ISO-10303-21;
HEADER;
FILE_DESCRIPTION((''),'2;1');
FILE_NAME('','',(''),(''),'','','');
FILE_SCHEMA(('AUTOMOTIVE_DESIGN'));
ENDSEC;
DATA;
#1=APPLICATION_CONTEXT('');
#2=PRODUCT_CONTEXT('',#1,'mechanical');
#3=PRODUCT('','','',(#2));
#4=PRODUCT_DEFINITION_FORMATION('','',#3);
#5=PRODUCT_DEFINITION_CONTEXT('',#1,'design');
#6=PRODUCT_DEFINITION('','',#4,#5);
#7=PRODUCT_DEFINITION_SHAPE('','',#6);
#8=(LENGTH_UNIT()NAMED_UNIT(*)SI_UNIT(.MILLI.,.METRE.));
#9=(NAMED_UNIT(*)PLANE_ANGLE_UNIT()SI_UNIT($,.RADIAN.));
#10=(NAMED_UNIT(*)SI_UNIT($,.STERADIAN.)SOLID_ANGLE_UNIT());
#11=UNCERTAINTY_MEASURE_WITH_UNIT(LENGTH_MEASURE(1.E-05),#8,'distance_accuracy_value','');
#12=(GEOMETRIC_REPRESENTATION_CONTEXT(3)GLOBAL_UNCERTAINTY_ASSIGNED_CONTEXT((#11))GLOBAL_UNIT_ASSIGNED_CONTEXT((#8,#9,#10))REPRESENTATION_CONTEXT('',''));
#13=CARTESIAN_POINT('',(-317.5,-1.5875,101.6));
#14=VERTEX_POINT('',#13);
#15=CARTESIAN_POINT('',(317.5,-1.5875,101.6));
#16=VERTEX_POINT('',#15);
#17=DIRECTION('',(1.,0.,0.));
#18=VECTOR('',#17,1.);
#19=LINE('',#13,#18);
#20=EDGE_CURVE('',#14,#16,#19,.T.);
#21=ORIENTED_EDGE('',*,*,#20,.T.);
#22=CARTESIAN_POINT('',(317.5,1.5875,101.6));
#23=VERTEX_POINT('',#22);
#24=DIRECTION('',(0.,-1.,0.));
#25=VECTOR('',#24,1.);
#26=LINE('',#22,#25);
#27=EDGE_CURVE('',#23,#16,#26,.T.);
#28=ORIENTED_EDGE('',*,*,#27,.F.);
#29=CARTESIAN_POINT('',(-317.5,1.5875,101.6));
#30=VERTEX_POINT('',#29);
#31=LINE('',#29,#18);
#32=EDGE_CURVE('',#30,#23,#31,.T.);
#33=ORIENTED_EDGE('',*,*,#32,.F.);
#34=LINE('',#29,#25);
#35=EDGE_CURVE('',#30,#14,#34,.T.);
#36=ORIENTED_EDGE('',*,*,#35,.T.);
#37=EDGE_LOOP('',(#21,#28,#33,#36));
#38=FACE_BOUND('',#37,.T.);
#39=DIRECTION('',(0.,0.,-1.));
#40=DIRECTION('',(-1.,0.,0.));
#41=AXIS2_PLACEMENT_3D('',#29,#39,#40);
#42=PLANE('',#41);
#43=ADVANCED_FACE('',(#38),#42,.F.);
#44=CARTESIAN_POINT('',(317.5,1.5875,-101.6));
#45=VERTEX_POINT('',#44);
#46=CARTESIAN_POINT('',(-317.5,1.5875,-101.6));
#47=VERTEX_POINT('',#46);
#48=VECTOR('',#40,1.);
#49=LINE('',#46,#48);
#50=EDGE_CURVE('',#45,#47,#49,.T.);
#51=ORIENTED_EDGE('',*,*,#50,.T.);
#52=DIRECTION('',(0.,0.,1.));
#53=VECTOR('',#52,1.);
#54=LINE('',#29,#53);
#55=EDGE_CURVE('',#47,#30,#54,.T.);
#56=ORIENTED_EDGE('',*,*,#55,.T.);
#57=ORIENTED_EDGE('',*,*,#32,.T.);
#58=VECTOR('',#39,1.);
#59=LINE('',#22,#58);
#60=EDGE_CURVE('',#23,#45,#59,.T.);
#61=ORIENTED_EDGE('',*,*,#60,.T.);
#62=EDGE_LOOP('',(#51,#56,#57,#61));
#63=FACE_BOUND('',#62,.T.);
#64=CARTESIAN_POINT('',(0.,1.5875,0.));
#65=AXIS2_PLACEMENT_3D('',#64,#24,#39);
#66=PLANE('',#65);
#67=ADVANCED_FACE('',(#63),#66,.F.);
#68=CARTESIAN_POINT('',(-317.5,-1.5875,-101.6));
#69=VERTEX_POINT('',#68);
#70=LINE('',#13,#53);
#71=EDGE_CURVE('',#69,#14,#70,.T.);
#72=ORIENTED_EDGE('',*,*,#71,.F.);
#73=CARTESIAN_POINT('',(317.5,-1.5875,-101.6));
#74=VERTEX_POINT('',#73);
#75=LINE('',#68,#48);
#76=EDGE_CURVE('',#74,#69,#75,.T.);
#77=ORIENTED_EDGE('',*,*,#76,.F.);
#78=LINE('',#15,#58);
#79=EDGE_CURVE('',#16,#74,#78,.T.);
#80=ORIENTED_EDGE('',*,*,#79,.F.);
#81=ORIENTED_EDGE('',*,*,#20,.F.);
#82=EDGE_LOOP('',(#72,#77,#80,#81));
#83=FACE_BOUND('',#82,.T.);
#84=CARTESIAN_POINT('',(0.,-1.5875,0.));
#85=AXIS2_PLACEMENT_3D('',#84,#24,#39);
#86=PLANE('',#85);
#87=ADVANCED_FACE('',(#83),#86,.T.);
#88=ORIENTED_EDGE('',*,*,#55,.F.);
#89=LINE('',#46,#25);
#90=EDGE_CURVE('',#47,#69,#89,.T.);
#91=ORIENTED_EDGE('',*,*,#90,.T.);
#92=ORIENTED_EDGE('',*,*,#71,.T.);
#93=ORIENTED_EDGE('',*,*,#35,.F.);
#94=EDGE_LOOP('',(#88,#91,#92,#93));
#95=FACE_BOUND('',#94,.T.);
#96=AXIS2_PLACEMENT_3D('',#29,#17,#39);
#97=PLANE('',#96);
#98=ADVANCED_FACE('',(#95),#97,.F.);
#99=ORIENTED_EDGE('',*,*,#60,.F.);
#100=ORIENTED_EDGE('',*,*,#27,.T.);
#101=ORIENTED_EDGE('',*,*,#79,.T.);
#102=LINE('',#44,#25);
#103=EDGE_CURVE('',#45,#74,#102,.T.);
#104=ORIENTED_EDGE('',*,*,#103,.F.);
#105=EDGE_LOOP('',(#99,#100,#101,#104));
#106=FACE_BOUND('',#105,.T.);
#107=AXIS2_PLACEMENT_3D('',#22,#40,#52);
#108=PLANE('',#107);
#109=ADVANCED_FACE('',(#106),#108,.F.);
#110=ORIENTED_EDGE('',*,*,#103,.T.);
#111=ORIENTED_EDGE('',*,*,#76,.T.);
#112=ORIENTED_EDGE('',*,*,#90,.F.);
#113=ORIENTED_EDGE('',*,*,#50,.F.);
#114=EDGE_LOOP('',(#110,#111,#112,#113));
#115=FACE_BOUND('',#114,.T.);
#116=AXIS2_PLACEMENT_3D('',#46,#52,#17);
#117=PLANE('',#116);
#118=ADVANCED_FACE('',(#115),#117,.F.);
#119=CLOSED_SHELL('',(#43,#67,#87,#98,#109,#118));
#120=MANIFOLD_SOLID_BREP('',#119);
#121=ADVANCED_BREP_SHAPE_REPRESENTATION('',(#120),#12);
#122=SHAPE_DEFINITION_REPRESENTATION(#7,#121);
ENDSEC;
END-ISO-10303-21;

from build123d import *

# Parameters (mm, degrees)
SKETCH1_W           = 635
SKETCH1_H           = 203.2
BOSS_EXTRUDE1_DEPTH = 1.5875


with BuildPart() as part:
    # Sketch1 → Boss-Extrude1 (new body, symmetric)
    with BuildSketch(Plane(origin=(0, 0, 0), x_dir=(1, 0, 0), z_dir=(0, 1, 0))):
        Rectangle(SKETCH1_W, SKETCH1_H)
    extrude(amount=BOSS_EXTRUDE1_DEPTH, both=True)


solid = part.part
